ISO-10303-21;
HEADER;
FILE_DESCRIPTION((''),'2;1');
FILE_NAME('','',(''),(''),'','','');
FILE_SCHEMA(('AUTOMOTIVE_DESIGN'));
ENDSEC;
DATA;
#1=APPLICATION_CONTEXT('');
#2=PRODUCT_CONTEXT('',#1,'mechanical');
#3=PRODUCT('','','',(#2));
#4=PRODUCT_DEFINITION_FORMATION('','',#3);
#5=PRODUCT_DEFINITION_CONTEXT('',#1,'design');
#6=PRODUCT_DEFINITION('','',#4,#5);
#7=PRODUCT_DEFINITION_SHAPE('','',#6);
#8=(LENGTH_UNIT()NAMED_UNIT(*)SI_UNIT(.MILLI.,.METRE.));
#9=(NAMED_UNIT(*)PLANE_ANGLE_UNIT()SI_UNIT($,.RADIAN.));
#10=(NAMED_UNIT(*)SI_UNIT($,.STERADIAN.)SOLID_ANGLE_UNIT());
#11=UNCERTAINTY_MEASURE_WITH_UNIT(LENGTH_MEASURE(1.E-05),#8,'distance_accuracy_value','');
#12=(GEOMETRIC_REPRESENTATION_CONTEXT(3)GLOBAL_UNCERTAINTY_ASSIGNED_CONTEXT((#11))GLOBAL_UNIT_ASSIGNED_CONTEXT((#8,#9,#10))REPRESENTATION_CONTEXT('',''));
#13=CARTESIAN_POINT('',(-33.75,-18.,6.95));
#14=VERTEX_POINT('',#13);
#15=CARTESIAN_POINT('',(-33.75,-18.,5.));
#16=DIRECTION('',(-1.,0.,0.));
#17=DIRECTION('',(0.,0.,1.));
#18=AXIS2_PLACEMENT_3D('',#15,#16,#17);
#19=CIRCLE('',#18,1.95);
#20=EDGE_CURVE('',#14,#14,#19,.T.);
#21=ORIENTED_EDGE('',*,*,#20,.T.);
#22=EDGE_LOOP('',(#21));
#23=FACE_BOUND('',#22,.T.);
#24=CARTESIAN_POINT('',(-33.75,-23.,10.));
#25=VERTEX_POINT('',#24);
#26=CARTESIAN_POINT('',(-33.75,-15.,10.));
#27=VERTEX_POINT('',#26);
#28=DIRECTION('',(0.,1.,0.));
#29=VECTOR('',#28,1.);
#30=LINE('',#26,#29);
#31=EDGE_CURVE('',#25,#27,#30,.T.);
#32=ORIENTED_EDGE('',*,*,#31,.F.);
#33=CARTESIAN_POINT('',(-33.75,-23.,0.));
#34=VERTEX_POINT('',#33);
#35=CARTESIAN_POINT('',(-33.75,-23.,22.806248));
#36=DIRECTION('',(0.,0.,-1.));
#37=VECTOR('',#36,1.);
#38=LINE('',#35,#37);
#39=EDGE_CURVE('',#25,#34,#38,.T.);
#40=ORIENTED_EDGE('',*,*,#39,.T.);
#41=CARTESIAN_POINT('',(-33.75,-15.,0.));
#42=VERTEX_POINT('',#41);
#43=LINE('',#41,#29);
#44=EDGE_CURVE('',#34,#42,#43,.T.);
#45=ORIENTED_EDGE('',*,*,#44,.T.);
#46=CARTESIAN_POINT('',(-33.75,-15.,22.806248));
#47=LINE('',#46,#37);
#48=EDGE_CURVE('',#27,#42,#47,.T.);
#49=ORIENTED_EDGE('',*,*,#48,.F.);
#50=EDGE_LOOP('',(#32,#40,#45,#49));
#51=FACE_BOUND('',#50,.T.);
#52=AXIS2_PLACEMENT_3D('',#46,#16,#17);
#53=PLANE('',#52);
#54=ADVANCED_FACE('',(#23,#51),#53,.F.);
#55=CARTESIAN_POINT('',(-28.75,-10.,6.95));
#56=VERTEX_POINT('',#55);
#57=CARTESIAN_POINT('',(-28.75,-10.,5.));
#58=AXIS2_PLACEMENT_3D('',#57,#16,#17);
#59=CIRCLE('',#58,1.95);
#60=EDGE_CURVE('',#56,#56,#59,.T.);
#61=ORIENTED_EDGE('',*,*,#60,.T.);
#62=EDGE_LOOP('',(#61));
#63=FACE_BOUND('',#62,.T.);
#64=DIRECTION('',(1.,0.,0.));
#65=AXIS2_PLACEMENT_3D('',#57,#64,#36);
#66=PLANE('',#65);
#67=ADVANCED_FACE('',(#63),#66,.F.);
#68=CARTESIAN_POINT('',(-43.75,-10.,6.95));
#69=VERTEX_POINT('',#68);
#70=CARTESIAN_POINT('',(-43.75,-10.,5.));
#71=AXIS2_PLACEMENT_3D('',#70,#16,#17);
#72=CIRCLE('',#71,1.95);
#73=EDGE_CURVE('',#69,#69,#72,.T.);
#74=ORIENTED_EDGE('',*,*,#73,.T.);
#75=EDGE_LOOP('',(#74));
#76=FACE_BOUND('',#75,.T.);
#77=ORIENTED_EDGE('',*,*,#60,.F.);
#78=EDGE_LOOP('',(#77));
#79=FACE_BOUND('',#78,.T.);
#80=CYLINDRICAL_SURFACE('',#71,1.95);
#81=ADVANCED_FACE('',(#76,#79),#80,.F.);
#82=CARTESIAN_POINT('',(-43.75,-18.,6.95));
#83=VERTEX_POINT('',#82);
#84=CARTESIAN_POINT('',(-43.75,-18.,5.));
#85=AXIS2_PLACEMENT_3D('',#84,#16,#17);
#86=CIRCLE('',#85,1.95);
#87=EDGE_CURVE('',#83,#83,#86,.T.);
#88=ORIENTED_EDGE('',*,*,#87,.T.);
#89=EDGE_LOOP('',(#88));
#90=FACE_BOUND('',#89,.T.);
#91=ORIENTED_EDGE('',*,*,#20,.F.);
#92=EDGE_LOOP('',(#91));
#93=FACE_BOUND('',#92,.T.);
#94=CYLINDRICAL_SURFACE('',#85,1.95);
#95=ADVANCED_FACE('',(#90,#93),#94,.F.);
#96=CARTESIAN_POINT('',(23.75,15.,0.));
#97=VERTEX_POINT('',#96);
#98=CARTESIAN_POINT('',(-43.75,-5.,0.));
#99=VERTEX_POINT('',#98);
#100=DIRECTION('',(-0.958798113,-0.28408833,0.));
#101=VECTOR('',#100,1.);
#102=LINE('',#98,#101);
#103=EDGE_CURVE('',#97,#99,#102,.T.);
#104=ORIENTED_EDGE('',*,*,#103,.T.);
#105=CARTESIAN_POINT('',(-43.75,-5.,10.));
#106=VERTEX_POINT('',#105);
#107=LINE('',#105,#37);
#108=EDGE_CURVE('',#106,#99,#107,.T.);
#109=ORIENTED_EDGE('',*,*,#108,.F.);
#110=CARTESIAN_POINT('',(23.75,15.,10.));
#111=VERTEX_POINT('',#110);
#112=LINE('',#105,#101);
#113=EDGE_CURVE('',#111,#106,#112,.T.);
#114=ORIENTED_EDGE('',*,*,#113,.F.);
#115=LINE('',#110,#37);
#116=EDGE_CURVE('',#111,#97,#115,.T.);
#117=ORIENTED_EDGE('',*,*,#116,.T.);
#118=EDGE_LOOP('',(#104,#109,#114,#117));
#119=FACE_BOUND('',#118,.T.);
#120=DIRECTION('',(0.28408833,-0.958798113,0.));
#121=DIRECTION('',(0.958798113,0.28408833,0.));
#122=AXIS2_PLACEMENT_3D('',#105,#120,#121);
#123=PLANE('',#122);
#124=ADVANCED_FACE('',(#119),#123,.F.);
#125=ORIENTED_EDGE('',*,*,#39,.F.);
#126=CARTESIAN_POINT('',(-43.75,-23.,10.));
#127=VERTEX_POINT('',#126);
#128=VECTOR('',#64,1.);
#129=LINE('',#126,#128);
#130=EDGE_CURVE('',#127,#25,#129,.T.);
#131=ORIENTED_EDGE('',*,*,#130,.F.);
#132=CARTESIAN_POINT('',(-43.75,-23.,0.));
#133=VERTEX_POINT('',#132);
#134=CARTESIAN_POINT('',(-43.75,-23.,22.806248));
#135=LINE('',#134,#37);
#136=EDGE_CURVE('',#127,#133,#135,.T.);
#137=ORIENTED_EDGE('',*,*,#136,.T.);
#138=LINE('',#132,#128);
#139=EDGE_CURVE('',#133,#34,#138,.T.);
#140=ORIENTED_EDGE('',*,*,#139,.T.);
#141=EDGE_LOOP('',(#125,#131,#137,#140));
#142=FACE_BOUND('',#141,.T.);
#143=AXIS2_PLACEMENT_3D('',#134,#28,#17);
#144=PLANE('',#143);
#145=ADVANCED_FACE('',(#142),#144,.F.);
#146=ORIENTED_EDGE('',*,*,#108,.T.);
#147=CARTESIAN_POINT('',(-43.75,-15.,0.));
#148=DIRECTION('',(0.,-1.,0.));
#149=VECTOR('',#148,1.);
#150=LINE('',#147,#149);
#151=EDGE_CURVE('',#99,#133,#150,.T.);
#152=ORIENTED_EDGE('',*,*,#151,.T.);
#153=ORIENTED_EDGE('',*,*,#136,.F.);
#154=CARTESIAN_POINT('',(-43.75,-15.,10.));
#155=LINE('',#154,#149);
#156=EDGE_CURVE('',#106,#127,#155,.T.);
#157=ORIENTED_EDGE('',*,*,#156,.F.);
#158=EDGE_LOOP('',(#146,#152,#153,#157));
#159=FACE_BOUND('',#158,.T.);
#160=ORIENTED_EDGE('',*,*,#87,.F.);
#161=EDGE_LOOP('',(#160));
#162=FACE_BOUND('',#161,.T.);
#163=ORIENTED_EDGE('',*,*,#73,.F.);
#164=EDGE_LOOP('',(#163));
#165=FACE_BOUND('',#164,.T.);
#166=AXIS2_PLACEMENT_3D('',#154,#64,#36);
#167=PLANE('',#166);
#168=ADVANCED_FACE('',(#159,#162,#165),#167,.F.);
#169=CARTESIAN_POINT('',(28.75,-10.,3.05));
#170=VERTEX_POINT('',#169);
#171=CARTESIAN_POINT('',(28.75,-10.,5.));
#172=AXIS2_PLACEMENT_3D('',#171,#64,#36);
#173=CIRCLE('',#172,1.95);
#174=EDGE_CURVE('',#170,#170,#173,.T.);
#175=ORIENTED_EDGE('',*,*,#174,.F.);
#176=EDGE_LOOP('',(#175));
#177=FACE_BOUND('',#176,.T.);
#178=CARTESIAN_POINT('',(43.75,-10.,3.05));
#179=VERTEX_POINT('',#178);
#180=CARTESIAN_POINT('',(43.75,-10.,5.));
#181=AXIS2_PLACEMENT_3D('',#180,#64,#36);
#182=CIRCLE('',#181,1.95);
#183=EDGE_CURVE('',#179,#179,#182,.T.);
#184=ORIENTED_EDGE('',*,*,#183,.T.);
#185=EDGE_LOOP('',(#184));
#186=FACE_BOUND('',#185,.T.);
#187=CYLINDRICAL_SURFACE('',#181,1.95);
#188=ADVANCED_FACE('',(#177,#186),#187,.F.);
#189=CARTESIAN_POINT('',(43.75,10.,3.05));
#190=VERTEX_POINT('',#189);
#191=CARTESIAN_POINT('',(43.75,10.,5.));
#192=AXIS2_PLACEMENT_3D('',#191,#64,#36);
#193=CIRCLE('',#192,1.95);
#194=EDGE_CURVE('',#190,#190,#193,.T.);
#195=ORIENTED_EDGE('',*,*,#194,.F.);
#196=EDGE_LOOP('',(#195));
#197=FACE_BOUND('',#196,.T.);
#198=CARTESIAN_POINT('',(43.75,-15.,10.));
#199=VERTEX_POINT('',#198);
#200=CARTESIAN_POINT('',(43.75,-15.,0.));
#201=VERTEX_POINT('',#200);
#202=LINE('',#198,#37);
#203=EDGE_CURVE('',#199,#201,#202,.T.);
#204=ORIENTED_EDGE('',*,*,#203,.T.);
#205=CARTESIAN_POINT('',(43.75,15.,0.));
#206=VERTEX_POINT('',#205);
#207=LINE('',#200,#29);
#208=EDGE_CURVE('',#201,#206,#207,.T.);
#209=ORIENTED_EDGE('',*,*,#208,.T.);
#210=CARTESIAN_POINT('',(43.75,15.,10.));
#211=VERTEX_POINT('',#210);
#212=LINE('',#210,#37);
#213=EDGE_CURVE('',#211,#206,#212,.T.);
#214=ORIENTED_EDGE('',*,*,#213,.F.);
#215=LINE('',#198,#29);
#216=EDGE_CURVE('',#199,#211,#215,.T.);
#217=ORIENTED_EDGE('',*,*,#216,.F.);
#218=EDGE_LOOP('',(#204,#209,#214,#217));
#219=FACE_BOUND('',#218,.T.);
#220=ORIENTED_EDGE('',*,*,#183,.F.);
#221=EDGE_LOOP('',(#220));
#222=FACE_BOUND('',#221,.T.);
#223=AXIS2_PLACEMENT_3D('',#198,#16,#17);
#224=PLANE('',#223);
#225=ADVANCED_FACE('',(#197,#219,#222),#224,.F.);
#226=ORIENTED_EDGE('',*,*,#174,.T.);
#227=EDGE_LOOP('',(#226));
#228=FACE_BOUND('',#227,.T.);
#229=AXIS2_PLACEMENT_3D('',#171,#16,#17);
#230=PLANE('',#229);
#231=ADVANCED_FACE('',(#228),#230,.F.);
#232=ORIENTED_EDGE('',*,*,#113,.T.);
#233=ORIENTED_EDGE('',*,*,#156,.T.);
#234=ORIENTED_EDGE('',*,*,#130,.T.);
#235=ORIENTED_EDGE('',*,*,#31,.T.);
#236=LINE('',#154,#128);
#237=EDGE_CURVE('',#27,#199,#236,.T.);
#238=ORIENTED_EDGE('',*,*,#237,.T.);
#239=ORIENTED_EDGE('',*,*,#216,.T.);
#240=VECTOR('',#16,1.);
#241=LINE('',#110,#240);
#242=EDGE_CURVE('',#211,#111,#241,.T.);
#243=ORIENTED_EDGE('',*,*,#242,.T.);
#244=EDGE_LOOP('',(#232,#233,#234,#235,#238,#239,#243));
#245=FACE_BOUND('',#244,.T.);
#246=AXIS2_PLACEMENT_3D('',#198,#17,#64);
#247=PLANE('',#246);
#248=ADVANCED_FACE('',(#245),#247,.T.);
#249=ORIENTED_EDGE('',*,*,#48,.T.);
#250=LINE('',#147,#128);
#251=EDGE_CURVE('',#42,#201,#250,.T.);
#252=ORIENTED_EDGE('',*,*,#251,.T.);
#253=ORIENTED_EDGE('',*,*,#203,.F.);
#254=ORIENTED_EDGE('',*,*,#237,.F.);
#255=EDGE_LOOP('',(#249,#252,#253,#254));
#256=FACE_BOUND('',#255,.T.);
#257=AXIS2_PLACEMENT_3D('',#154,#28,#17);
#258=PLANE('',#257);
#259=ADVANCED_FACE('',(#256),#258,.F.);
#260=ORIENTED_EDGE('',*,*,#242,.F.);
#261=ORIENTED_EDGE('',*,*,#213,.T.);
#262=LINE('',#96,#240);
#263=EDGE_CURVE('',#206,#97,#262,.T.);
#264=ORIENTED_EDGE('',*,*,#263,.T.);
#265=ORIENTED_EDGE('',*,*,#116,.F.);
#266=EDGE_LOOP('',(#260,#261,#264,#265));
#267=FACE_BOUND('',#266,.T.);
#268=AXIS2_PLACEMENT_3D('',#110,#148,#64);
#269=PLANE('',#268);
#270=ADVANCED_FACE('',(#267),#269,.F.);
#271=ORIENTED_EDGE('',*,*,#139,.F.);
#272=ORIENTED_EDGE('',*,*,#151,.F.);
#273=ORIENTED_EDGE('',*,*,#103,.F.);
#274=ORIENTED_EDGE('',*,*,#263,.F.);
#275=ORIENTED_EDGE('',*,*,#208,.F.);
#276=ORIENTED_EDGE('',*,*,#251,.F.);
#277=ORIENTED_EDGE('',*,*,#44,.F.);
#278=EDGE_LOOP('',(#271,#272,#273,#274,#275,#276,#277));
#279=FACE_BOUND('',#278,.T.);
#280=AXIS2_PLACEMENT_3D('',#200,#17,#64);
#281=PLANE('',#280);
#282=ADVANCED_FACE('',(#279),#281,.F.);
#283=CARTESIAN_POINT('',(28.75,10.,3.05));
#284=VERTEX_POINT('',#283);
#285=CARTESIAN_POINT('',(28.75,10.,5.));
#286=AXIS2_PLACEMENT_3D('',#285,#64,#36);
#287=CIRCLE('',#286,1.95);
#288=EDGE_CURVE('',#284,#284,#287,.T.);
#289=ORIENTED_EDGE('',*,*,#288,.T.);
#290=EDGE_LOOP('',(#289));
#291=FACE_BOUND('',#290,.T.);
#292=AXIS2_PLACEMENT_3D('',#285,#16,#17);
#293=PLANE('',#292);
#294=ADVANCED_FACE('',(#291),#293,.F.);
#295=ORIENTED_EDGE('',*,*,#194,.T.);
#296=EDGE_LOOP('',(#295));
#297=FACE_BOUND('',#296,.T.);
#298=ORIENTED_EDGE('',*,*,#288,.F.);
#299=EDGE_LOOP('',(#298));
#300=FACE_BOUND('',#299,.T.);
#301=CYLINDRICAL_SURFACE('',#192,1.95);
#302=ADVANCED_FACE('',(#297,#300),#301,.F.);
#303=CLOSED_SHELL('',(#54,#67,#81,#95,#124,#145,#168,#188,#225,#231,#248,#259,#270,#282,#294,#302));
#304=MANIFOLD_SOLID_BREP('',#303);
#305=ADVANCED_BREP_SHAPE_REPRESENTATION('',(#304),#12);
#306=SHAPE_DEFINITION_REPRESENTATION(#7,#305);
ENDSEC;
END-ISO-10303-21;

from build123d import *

# Parameters (mm, degrees)
EXTRUDE1_DEPTH                         = 10
F_4_0_4_DIAMETER_HOLE1_D               = 3.9
F_4_0_4_DIAMETER_HOLE1_DEPTH           = 15
F_4_0_4_DIAMETER_HOLE1_ON_FACE_2_D     = 3.9
F_4_0_4_DIAMETER_HOLE1_ON_FACE_2_DEPTH = 15
SKETCH3_W                              = 10
SKETCH3_H                              = 8
EXTRUDE2_DEPTH                         = 10
F_4_0_4_DIAMETER_HOLE2_D               = 3.9
F_4_0_4_DIAMETER_HOLE2_DEPTH           = 15


with BuildPart() as part:
    # Sketch1 → Extrude1 (new body)
    with BuildSketch(Plane.XY):
        Polygon((-43.75, -15), (-43.75, -5), (23.75, 15), (43.75, 15), (43.75, -15), align=None)
    extrude(amount=EXTRUDE1_DEPTH)

    # Ø4.0 (4) Diameter Hole1
    with Locations(Plane(origin=(-43.75, -10, 5), x_dir=(0, 0, -1), z_dir=(-1, 0, 0))):
        with Locations((0, 0)):
            Hole(F_4_0_4_DIAMETER_HOLE1_D / 2, depth=F_4_0_4_DIAMETER_HOLE1_DEPTH)

    # Ø4.0 (4) Diameter Hole1 on face 2
    with Locations(Plane(origin=(43.75, -10, 5), x_dir=(0, 0, 1), z_dir=(1, 0, 0))):
        with Locations((0, 0), (0, -20)):
            Hole(F_4_0_4_DIAMETER_HOLE1_ON_FACE_2_D / 2, depth=F_4_0_4_DIAMETER_HOLE1_ON_FACE_2_DEPTH)

    # Sketch3 → Extrude2 (add)
    with BuildSketch(Plane.XY):
        with Locations((-38.75, -19)):
            Rectangle(SKETCH3_W, SKETCH3_H)
    extrude(amount=EXTRUDE2_DEPTH)

    # Ø4.0 (4) Diameter Hole2
    with Locations(Plane(origin=(-43.75, -18, 5), x_dir=(0, 0, -1), z_dir=(-1, 0, 0))):
        with Locations((0, 0)):
            Hole(F_4_0_4_DIAMETER_HOLE2_D / 2, depth=F_4_0_4_DIAMETER_HOLE2_DEPTH)


solid = part.part
